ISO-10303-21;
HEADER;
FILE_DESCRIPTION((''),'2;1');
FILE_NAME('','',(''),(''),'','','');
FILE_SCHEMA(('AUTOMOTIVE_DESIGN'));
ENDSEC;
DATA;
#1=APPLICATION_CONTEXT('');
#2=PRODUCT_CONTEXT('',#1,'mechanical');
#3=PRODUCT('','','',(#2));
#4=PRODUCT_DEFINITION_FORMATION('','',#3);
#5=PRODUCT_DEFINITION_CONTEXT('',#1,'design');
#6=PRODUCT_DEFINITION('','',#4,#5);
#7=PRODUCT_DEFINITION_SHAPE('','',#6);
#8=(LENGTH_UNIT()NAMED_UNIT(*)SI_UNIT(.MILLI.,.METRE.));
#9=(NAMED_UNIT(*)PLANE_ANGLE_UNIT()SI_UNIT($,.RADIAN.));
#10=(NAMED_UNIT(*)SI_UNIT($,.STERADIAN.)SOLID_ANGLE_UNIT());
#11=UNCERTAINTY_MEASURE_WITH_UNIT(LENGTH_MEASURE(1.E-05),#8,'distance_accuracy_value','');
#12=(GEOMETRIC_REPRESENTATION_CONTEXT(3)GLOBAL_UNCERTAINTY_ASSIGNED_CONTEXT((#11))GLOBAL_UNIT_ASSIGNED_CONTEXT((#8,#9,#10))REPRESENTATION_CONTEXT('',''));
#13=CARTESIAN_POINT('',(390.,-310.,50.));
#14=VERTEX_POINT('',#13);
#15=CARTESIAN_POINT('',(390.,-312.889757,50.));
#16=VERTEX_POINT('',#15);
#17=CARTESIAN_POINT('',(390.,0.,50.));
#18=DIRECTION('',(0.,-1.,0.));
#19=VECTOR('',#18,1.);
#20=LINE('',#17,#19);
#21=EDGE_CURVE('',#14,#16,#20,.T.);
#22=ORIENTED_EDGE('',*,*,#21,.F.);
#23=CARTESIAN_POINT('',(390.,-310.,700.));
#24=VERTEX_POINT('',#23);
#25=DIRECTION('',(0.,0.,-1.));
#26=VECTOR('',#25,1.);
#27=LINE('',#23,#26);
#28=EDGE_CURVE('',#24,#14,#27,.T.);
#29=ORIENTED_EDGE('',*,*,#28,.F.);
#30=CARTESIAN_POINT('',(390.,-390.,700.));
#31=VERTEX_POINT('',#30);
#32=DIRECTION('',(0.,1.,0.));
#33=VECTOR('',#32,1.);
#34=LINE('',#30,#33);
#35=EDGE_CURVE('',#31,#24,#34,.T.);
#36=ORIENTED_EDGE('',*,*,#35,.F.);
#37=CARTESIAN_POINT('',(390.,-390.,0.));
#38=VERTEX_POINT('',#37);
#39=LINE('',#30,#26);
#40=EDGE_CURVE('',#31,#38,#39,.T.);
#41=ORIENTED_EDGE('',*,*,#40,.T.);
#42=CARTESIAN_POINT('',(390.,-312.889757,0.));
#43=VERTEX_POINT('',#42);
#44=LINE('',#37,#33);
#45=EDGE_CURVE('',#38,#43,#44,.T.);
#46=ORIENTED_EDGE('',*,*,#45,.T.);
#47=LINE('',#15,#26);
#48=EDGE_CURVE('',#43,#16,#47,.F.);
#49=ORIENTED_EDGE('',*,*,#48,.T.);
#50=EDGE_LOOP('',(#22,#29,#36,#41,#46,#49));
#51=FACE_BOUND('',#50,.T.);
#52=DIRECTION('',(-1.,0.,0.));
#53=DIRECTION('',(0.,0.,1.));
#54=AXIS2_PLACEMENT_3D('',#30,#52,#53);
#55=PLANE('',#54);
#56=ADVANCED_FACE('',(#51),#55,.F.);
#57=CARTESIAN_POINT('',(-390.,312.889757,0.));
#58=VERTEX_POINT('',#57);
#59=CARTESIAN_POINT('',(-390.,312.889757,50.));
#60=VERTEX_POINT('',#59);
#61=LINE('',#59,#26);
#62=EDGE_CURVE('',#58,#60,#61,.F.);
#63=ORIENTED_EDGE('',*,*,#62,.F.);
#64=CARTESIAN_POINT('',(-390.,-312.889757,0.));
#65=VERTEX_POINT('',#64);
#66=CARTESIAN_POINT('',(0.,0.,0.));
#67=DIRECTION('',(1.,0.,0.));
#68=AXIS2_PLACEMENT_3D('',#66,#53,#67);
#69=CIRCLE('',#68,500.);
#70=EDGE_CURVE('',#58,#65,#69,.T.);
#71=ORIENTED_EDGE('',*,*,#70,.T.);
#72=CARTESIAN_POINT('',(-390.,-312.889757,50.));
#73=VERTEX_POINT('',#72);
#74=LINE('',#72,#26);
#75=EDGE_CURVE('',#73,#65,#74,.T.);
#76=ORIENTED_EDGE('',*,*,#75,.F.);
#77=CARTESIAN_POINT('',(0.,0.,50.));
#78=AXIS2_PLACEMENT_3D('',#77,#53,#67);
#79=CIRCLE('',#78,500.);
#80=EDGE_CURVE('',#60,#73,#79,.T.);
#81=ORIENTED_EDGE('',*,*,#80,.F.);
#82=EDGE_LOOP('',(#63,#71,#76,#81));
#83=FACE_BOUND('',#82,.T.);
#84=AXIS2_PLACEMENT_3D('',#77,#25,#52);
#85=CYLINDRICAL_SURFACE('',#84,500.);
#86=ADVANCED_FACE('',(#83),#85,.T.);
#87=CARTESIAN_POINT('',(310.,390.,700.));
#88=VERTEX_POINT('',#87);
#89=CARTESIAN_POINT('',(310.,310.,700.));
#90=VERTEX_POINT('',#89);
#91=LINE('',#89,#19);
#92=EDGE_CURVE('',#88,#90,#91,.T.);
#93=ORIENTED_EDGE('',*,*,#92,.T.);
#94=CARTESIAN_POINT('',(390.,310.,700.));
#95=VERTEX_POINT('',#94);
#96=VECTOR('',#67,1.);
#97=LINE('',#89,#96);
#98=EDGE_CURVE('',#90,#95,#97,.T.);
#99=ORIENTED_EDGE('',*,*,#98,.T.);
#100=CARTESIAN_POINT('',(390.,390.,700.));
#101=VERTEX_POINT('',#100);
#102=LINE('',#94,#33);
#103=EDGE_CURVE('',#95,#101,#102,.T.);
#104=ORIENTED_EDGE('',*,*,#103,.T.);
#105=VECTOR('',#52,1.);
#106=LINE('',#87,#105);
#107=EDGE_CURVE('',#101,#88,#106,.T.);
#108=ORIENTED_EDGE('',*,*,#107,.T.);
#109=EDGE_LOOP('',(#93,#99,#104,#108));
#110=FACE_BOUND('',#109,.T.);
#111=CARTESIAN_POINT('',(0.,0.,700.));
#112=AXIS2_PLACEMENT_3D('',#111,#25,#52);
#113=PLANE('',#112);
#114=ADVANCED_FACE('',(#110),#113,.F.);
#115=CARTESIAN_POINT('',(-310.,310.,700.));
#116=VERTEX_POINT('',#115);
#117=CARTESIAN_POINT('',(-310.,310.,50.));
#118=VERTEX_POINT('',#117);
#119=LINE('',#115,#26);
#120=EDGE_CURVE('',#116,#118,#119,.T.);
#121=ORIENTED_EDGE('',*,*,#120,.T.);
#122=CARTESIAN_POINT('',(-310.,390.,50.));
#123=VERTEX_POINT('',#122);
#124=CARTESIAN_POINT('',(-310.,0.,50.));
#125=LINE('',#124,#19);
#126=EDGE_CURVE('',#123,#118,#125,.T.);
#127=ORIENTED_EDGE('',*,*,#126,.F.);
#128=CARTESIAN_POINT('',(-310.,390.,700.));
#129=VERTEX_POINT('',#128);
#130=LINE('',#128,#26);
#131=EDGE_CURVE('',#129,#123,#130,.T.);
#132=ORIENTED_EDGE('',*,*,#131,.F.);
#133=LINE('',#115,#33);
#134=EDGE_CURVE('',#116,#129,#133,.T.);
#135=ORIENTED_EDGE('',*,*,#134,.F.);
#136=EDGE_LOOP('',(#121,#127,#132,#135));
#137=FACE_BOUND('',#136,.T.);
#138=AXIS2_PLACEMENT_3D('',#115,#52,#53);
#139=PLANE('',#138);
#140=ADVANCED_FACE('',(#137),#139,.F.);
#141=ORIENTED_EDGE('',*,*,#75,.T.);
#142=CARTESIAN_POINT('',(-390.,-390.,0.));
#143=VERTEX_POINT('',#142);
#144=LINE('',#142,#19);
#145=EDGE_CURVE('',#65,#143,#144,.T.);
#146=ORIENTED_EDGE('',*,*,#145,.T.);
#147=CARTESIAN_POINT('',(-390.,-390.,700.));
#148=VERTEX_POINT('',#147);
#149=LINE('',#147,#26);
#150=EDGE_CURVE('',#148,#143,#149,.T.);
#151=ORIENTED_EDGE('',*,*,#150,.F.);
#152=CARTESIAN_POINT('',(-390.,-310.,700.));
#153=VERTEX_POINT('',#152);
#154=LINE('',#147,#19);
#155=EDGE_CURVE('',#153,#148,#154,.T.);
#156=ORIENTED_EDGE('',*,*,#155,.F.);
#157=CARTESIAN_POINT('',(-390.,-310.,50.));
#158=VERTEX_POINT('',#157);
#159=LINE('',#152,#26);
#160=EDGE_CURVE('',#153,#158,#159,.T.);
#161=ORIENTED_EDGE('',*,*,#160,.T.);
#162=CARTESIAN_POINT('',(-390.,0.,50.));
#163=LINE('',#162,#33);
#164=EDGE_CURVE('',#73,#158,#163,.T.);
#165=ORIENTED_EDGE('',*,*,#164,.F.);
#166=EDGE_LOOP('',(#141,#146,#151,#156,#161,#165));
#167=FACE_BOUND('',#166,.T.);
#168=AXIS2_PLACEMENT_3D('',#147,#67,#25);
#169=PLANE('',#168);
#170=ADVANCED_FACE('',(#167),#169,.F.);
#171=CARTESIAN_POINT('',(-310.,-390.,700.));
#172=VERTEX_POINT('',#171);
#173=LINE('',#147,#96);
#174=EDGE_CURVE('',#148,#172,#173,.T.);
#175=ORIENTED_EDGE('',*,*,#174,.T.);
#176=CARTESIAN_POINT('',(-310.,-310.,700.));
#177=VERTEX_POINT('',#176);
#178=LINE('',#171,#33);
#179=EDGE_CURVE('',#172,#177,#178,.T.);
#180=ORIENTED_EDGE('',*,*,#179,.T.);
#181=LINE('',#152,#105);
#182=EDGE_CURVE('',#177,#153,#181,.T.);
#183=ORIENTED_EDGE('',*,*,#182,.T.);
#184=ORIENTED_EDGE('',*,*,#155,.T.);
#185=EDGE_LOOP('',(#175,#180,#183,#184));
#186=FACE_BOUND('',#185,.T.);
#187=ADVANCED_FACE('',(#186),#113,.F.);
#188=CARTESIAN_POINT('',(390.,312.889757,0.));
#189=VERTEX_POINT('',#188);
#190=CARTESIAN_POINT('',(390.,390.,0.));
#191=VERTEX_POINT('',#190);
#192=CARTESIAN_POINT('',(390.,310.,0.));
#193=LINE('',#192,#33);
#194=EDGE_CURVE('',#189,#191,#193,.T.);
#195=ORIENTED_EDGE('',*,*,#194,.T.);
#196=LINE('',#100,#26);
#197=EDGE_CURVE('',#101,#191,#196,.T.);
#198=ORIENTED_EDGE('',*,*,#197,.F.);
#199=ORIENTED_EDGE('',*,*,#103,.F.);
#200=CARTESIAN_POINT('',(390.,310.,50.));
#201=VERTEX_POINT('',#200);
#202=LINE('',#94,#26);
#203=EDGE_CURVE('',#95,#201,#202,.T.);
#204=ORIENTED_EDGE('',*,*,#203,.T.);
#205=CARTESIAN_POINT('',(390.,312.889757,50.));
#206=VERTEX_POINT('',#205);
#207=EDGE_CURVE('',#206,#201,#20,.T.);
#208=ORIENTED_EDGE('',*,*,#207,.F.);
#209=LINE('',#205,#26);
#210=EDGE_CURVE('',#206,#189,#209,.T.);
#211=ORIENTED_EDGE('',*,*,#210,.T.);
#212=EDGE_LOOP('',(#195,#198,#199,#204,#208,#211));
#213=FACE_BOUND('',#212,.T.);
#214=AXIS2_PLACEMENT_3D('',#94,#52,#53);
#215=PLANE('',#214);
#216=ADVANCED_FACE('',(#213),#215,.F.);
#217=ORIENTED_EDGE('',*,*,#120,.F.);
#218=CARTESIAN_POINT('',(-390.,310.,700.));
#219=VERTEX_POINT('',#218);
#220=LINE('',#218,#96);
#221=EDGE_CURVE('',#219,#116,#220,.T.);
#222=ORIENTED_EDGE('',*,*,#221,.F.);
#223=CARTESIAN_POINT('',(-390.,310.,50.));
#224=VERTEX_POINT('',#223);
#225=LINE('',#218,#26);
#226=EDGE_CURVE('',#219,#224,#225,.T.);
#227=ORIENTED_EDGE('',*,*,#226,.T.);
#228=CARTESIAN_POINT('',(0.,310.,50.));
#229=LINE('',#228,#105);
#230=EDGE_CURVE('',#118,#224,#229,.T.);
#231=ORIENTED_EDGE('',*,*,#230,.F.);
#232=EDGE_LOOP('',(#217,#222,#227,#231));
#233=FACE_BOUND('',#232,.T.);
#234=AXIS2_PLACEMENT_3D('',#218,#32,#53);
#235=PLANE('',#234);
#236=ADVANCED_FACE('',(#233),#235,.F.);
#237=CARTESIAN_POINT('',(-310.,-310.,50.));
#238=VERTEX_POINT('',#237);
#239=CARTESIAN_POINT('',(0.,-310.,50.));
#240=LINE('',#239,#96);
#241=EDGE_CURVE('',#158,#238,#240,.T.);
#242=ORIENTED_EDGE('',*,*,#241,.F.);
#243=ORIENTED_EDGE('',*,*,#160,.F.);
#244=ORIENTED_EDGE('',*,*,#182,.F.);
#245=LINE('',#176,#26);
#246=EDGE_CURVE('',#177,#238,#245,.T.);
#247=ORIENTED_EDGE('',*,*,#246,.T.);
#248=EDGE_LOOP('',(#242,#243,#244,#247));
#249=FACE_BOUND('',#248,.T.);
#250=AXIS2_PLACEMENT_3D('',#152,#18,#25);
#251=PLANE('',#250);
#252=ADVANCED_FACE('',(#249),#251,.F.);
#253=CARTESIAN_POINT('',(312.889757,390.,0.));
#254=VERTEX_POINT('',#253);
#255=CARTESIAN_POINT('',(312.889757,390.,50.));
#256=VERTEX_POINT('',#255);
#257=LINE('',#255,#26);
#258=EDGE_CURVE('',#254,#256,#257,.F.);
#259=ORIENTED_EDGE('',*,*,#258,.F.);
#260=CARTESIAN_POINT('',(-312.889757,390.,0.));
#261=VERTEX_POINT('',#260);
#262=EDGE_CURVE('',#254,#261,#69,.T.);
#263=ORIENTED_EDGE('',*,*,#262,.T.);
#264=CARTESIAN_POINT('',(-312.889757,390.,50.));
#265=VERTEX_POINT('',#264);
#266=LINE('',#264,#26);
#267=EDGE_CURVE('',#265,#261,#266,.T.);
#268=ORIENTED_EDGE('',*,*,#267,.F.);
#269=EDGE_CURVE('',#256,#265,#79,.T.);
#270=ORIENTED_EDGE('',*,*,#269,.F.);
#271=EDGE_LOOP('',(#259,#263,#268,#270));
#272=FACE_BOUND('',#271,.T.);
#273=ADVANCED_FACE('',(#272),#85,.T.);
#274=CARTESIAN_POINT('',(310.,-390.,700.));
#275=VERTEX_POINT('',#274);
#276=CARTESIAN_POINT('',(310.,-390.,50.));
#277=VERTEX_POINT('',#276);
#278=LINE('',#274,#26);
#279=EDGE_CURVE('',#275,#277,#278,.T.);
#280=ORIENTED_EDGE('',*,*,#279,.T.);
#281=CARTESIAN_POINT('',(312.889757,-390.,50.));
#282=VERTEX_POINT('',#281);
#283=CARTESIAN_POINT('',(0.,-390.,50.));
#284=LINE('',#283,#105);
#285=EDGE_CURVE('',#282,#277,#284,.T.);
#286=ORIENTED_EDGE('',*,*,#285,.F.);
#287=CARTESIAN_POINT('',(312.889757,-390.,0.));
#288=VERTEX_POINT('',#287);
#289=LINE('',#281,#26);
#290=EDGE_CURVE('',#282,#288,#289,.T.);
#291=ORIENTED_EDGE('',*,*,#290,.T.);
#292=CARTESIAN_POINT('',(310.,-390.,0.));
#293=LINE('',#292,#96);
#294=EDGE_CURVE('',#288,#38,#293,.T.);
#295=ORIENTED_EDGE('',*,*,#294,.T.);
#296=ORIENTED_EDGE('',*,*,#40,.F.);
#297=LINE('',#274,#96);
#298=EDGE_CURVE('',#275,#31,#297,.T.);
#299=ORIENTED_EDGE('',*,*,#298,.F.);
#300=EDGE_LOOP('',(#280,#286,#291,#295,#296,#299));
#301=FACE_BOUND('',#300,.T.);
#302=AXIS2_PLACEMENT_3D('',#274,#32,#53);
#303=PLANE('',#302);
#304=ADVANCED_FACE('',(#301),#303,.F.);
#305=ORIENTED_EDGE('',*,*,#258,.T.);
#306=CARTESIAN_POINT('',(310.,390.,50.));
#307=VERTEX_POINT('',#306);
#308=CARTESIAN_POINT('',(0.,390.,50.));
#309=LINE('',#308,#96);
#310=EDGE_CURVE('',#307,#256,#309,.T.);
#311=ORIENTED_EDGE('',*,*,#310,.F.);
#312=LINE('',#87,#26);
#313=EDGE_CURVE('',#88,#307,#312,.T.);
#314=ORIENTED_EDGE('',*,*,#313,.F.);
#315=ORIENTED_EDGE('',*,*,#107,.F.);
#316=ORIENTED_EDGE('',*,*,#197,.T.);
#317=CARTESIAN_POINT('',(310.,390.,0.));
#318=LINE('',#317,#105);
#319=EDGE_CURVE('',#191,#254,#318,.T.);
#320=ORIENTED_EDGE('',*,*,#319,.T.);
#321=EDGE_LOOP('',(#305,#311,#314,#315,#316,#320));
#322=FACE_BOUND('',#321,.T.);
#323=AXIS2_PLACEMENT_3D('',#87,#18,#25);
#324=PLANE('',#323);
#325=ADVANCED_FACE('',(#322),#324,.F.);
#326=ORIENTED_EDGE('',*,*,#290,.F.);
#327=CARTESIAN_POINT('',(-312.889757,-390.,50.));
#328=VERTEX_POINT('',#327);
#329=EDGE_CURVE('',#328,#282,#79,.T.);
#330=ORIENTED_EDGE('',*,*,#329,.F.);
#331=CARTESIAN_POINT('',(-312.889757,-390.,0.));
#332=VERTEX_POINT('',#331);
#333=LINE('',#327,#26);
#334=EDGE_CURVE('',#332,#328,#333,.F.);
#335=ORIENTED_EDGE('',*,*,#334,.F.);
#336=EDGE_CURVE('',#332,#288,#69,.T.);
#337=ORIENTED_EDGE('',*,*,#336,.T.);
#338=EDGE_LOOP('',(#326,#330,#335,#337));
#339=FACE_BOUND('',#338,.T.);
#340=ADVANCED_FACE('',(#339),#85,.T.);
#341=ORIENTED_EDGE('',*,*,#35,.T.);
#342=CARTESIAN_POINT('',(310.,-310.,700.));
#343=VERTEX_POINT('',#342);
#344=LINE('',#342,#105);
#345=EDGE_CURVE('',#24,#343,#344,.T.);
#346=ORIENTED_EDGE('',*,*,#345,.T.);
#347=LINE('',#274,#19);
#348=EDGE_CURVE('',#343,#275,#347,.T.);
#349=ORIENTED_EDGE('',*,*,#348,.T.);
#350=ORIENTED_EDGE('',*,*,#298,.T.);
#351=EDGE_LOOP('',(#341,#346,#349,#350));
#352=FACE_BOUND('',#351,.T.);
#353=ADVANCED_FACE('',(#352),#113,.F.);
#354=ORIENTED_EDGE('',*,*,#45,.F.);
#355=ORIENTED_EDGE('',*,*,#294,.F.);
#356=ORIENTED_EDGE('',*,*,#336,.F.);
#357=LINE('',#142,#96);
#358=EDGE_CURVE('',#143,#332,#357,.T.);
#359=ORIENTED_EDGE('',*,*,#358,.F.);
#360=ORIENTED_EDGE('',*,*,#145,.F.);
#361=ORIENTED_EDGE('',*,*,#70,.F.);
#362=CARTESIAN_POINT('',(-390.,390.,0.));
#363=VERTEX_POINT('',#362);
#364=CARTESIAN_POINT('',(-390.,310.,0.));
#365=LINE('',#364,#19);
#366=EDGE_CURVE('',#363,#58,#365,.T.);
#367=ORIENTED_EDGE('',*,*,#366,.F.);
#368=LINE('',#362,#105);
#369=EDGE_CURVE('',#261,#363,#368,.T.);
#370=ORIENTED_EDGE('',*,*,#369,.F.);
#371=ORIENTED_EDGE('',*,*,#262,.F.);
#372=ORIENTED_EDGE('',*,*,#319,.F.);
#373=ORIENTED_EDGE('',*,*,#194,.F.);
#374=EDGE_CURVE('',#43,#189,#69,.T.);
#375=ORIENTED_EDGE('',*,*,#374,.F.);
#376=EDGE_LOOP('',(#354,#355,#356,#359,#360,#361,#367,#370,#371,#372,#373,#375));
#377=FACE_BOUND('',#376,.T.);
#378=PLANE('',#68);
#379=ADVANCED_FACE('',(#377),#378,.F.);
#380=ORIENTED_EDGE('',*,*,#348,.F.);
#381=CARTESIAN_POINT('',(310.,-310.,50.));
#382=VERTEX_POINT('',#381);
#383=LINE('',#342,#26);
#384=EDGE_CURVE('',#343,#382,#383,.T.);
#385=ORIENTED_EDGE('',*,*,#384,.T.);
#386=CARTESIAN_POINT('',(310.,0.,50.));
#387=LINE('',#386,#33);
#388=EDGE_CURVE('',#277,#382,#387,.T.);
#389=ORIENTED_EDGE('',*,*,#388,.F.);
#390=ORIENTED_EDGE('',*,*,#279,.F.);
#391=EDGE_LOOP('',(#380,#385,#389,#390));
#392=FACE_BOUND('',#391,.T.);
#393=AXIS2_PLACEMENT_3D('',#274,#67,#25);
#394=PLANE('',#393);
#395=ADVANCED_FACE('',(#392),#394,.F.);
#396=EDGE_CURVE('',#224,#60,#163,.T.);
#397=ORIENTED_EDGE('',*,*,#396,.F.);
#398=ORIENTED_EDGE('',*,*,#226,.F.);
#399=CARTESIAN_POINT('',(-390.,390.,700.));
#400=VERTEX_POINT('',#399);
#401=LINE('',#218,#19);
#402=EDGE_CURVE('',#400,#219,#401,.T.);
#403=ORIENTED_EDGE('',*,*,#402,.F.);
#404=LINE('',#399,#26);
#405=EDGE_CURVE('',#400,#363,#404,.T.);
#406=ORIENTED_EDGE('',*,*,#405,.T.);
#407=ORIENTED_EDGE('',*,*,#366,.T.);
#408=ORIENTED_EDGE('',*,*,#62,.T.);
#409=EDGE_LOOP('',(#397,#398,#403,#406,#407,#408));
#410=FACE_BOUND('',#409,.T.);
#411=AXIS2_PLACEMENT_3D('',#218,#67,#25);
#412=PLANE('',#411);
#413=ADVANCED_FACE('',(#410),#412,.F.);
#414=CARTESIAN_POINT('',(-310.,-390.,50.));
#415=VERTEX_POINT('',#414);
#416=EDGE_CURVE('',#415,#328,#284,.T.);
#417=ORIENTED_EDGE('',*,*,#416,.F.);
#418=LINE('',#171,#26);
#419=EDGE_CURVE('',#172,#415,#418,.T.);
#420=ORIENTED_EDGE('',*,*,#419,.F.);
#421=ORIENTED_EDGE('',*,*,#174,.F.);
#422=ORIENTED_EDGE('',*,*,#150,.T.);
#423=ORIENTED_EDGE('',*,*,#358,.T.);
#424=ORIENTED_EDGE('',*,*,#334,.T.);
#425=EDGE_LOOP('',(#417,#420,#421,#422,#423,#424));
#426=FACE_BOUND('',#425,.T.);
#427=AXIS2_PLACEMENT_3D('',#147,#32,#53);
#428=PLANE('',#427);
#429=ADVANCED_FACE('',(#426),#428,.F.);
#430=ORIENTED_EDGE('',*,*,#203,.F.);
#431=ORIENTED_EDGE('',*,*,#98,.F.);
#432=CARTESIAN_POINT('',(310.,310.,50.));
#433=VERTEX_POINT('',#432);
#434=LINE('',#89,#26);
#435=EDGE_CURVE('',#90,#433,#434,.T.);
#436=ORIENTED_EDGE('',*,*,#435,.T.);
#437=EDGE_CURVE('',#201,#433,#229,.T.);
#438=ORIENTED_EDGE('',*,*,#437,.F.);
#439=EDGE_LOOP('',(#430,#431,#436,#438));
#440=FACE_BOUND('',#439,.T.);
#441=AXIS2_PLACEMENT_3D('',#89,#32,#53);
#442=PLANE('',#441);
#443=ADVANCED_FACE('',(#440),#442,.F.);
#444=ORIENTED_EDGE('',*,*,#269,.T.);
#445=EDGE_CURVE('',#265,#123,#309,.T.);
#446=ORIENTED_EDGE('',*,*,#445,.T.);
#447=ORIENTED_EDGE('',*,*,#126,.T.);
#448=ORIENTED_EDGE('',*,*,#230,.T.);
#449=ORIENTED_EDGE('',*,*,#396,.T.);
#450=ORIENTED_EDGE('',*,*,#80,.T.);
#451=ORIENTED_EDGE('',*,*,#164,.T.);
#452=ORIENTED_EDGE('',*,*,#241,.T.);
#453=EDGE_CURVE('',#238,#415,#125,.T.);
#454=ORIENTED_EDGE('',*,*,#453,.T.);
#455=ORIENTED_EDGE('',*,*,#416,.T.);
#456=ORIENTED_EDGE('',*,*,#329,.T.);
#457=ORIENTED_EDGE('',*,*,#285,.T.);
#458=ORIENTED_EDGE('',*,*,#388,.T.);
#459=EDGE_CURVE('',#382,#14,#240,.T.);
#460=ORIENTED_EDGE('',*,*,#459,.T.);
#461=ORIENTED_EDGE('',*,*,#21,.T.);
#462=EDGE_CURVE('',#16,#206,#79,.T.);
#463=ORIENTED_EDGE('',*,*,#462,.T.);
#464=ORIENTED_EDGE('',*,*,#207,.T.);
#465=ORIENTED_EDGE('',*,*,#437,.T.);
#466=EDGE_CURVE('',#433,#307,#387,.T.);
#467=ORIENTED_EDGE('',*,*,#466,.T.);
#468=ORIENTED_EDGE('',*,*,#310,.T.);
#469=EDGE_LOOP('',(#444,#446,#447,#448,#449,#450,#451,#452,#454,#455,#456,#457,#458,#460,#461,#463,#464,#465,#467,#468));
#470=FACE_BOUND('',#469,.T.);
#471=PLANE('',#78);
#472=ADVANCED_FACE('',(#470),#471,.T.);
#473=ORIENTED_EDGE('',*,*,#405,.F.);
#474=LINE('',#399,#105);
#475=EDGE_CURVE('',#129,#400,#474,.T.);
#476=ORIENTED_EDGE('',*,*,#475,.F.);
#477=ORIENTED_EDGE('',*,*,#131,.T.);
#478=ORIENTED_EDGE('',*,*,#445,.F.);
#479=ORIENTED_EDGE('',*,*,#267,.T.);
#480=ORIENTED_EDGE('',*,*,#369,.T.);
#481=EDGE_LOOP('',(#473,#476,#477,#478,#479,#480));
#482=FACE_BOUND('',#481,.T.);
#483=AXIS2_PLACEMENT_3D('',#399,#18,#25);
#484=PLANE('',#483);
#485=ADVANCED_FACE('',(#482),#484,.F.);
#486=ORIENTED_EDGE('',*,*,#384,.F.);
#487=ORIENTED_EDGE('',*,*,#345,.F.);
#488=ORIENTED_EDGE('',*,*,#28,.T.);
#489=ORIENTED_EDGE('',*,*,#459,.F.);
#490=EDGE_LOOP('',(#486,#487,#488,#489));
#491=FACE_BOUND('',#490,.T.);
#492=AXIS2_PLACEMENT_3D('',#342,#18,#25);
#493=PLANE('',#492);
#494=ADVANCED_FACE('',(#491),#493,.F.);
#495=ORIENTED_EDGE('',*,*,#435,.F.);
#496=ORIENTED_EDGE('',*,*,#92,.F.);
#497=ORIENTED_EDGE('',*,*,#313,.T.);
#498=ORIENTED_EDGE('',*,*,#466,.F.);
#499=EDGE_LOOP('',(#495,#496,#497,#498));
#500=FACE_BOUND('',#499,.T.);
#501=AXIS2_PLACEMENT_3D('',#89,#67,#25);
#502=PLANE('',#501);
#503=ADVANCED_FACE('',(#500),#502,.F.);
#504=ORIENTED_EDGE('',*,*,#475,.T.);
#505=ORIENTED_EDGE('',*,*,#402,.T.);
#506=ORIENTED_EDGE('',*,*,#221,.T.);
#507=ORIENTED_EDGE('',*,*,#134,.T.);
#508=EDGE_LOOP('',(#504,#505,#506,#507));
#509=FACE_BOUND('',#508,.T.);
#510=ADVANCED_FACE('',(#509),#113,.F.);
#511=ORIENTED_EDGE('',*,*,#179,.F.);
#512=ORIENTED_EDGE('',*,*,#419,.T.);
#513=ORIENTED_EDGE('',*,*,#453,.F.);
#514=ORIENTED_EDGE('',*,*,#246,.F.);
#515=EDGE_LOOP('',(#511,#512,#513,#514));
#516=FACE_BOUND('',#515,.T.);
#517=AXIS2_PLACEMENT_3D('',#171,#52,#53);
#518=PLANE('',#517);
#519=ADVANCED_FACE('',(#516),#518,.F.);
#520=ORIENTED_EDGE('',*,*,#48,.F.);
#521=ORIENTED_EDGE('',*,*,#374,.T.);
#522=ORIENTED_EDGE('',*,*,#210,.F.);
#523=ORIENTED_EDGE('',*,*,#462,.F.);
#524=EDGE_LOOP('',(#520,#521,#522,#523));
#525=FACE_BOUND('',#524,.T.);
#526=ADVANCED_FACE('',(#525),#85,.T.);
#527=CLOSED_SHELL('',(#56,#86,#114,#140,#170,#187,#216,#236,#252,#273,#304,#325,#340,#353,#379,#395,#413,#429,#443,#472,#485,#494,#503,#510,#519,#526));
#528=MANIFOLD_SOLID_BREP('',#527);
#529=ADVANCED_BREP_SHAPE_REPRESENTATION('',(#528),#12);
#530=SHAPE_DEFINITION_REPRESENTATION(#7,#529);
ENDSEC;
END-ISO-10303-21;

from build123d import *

# Parameters (mm, degrees)
SKETCH_1_R      = 500
EXTRUDE_1_DEPTH = 50
SKETCH_2_W      = 80
SKETCH_2_H      = 80
EXTRUDE_2_DEPTH = 700
SKETCH_3_W      = 80
SKETCH_3_H      = 80
EXTRUDE_3_DEPTH = 700
SKETCH_4_W      = 80
SKETCH_4_H      = 80
EXTRUDE_4_DEPTH = 700
SKETCH_5_W      = 80
SKETCH_5_H      = 80
EXTRUDE_5_DEPTH = 700


with BuildPart() as part:
    # 草图1 → 凸台-拉伸1 (new body)
    with BuildSketch(Plane.XY):
        Circle(SKETCH_1_R)
    extrude(amount=EXTRUDE_1_DEPTH)

    # 草图2 → 凸台-拉伸2 (add)
    with BuildSketch(Plane.XY):
        with Locations((350, 350)):
            Rectangle(SKETCH_2_W, SKETCH_2_H)
    extrude(amount=EXTRUDE_2_DEPTH)

    # 草图3 → 凸台-拉伸3 (add)
    with BuildSketch(Plane.XY):
        with Locations((-350, 350)):
            Rectangle(SKETCH_3_W, SKETCH_3_H)
    extrude(amount=EXTRUDE_3_DEPTH)

    # 草图4 → 凸台-拉伸4 (add)
    with BuildSketch(Plane.XY):
        with Locations((-350, -350)):
            Rectangle(SKETCH_4_W, SKETCH_4_H)
    extrude(amount=EXTRUDE_4_DEPTH)

    # 草图5 → 凸台-拉伸5 (add)
    with BuildSketch(Plane.XY):
        with Locations((350, -350)):
            Rectangle(SKETCH_5_W, SKETCH_5_H)
    extrude(amount=EXTRUDE_5_DEPTH)


solid = part.part
